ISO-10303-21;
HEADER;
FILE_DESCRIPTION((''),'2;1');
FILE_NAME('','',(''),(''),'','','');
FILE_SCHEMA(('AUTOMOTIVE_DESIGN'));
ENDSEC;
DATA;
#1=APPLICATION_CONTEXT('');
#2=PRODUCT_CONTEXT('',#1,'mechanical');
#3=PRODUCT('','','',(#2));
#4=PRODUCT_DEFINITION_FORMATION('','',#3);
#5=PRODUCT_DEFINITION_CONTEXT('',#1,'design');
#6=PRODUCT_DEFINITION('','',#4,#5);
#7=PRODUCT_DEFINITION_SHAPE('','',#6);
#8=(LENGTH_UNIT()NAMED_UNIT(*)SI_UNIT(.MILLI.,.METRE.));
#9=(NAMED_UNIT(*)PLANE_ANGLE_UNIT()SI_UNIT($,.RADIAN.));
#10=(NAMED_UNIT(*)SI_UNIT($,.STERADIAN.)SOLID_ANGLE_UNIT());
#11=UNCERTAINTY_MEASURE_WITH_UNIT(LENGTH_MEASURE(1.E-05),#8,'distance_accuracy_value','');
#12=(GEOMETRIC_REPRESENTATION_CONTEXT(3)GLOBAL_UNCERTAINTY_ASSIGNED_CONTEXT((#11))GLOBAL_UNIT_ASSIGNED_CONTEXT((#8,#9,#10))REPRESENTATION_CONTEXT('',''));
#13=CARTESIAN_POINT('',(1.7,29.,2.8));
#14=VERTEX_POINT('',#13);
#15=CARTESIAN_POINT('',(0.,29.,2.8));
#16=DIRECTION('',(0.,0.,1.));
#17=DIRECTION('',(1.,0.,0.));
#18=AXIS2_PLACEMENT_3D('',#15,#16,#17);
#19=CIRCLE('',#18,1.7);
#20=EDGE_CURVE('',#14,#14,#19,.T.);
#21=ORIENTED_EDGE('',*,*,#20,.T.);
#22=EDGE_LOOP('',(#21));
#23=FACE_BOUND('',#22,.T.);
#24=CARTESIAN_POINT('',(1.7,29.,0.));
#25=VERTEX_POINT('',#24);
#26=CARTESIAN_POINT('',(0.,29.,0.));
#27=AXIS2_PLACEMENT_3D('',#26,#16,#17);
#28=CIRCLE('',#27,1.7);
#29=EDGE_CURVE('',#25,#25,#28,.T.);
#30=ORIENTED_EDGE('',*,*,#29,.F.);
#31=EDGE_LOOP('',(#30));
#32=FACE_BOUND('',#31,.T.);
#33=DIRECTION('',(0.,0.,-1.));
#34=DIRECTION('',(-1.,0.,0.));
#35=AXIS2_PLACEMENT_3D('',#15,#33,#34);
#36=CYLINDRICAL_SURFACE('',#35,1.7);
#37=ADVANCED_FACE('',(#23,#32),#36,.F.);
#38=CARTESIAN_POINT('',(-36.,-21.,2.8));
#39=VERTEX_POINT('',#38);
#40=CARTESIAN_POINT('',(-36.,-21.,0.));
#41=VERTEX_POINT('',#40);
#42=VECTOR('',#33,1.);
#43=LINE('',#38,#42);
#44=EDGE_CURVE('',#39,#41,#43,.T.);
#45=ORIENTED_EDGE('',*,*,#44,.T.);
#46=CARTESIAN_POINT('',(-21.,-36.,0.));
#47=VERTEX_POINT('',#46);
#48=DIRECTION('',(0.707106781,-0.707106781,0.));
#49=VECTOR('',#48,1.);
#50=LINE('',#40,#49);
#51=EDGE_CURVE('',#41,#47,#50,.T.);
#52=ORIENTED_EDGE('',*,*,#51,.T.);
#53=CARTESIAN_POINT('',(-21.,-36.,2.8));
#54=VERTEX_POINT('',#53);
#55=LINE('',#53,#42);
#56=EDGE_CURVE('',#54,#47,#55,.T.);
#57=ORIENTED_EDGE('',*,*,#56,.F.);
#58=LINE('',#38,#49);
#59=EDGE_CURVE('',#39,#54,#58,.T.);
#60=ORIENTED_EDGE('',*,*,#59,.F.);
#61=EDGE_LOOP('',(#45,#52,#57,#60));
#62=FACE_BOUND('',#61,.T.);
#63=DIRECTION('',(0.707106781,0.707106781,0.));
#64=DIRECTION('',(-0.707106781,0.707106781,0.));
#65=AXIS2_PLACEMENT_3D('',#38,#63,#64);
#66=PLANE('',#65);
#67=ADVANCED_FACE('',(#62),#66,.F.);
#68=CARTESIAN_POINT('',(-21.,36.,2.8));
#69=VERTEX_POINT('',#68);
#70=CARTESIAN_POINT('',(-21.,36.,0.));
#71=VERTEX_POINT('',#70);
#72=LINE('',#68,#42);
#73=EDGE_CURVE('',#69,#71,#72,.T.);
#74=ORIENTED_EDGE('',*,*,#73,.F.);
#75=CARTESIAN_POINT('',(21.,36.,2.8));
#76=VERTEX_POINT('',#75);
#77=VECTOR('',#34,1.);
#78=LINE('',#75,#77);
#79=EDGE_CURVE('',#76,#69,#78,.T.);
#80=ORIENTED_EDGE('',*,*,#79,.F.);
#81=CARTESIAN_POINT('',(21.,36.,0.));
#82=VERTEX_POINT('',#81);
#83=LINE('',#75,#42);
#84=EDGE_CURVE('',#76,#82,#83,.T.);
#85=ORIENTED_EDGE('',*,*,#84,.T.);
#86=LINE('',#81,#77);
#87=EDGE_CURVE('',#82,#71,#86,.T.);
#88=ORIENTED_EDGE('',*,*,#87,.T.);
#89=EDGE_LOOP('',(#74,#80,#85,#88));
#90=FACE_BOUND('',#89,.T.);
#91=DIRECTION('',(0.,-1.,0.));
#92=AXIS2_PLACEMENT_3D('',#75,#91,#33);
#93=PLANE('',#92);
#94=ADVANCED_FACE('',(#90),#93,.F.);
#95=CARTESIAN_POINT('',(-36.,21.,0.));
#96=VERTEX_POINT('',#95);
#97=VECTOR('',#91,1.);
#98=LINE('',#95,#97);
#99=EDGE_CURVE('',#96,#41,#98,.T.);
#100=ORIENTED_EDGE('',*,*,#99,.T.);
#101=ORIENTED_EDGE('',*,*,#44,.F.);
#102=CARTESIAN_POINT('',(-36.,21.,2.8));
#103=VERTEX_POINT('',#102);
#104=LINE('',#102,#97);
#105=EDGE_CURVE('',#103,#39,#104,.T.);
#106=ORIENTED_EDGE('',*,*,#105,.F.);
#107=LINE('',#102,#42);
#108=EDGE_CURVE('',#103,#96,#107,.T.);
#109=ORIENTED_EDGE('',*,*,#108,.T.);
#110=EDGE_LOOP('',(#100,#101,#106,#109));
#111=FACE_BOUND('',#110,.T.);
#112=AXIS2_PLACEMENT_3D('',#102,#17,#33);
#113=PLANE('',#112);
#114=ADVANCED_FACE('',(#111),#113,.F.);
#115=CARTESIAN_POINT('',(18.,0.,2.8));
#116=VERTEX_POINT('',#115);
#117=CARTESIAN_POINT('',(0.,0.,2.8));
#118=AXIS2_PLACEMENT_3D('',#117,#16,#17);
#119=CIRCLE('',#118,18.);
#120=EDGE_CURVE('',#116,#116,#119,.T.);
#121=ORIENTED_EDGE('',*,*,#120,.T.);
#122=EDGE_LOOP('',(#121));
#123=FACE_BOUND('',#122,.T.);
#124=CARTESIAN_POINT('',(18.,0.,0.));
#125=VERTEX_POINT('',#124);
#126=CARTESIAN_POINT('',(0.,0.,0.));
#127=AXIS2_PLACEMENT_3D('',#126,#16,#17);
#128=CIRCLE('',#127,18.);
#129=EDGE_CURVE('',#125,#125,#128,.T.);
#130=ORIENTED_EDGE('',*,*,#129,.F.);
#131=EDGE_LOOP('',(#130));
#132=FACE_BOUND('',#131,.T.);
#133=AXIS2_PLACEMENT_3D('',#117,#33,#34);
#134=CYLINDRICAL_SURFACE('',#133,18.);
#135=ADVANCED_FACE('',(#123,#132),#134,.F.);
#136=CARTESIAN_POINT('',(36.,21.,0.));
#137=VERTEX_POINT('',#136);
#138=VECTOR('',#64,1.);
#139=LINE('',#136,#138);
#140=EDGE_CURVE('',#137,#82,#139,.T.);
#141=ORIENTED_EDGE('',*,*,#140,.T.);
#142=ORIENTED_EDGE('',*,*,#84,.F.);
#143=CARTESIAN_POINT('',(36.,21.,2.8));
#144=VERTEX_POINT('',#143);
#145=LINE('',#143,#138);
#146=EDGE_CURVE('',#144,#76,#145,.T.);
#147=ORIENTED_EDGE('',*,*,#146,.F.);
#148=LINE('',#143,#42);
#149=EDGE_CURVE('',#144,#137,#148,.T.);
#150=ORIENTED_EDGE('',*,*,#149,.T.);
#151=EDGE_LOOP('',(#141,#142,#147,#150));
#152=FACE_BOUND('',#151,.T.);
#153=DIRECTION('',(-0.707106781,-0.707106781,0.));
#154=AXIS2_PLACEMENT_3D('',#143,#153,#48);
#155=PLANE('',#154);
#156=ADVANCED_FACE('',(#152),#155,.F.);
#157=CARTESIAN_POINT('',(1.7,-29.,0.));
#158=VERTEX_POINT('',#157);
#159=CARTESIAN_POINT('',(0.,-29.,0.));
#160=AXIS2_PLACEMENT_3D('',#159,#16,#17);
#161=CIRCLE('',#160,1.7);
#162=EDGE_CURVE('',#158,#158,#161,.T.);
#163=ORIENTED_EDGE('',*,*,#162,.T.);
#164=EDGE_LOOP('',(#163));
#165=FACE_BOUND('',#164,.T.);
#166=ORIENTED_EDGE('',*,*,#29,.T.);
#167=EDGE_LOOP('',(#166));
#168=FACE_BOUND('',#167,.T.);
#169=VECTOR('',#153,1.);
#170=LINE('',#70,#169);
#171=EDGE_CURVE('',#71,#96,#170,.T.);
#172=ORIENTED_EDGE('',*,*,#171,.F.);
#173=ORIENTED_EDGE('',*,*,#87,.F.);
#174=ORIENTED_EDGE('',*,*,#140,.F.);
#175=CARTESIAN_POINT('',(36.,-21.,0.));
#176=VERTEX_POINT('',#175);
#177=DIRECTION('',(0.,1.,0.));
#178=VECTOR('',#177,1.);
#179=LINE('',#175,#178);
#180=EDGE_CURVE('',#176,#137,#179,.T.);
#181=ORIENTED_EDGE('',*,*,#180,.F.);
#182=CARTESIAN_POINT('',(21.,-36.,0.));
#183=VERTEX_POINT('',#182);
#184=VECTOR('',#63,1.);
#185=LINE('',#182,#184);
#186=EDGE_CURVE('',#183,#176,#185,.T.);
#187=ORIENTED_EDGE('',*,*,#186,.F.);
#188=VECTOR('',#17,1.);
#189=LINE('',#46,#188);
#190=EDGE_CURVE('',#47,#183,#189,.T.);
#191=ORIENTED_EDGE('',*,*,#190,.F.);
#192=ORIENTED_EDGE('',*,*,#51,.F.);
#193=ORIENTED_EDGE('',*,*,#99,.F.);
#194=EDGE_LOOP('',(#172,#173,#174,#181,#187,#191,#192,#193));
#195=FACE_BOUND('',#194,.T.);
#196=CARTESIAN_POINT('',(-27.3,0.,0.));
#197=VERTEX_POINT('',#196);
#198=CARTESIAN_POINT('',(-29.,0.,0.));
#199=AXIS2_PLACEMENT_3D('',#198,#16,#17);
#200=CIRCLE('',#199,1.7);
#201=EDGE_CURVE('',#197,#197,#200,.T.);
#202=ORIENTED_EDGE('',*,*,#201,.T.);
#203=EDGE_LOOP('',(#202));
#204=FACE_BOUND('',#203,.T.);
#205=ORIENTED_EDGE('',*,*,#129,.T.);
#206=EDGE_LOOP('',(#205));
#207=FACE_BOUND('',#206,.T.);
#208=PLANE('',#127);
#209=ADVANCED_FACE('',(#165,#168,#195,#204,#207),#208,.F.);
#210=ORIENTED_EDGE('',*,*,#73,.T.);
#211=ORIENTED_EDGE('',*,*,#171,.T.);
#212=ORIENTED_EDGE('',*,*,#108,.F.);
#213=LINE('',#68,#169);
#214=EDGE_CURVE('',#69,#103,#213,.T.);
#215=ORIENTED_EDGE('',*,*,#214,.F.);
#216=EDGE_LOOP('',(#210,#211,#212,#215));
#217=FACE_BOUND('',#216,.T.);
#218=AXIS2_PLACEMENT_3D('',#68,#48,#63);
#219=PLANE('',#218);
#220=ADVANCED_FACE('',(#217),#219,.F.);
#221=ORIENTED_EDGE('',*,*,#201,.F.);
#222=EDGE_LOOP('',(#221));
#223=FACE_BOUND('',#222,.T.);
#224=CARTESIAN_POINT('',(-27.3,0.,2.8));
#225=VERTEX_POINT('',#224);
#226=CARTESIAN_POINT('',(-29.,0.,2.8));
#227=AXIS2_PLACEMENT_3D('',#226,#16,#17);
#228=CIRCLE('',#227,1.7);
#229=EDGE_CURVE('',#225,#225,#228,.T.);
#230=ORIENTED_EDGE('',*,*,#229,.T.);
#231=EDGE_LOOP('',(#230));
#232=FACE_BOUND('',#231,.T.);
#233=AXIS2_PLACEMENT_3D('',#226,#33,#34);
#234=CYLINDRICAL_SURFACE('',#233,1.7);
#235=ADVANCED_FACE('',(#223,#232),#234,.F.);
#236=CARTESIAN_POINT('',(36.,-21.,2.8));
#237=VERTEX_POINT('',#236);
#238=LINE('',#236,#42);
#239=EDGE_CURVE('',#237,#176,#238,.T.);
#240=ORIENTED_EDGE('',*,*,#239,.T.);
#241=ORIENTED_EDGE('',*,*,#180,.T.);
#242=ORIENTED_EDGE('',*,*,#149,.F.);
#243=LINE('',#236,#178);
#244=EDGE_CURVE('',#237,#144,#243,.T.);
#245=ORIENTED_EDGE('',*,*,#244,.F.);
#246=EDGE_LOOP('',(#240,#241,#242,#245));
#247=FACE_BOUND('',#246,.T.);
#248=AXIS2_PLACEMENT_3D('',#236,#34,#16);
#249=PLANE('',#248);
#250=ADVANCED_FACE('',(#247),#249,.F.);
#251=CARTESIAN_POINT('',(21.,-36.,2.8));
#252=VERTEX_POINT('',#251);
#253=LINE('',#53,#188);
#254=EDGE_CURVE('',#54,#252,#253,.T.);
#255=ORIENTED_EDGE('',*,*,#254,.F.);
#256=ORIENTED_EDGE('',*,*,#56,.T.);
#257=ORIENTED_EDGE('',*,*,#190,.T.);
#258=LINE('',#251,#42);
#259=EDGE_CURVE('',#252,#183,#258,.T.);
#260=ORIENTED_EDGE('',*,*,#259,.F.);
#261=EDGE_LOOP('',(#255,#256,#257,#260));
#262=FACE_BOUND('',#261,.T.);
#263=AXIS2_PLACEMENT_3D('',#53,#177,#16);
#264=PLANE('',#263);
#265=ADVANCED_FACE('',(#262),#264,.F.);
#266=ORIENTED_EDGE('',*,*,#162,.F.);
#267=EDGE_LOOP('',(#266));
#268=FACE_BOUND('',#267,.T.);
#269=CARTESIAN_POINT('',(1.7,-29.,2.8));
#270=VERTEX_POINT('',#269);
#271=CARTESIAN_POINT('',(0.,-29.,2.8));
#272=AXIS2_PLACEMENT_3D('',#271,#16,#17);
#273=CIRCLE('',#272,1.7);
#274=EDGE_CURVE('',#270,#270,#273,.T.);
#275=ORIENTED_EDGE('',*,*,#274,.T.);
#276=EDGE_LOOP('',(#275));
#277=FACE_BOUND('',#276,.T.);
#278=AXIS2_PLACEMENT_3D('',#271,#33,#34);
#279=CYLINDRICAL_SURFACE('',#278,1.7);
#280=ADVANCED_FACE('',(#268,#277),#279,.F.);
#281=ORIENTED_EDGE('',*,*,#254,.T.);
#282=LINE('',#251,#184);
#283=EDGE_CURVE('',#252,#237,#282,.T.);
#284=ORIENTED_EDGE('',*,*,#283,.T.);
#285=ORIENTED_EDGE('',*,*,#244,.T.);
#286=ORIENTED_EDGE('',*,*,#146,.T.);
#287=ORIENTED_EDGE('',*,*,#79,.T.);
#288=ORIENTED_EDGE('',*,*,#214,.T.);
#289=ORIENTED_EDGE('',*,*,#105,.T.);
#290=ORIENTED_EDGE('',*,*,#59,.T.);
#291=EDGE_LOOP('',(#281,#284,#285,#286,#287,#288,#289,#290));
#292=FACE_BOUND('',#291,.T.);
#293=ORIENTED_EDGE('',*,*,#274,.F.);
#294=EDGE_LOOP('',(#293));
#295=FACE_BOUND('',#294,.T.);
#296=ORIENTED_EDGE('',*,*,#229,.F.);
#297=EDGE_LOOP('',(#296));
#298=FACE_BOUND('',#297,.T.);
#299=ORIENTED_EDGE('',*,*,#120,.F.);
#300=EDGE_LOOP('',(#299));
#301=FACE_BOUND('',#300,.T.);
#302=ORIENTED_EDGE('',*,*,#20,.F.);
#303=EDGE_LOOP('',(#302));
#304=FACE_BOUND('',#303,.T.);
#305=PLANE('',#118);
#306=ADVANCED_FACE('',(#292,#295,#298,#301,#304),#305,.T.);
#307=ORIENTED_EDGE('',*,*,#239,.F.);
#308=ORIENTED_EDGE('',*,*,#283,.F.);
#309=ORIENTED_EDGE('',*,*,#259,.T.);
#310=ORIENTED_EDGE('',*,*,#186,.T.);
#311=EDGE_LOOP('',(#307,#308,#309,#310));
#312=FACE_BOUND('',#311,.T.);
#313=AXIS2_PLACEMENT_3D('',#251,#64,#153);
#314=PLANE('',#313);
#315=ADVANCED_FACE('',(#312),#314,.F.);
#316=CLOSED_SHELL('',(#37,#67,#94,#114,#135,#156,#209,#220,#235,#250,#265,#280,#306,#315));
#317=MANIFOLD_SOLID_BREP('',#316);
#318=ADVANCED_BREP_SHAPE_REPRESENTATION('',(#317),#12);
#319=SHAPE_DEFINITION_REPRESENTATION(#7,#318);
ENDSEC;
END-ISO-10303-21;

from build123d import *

# Parameters (mm, degrees)
SKETCH_1_R                  = 18
SKETCH_1_R_2                = 1.7
F_04_BEARING_RETAINER_DEPTH = 2.8


with BuildPart() as part:
    # Эскиз1 → 04_Bearing_retainer (new body)
    with BuildSketch(Plane.XY):
        Polygon((-21, -36), (21, -36), (36, -21), (36, 21), (21, 36), (-21, 36), (-36, 21), (-36, -21), align=None)
        Circle(SKETCH_1_R, mode=Mode.SUBTRACT)
        with Locations((0, 29)):
            Circle(SKETCH_1_R_2, mode=Mode.SUBTRACT)
        with Locations((0, -29)):
            Circle(SKETCH_1_R_2, mode=Mode.SUBTRACT)
        with Locations((-29, 0)):
            Circle(SKETCH_1_R_2, mode=Mode.SUBTRACT)
    extrude(amount=F_04_BEARING_RETAINER_DEPTH)


solid = part.part
